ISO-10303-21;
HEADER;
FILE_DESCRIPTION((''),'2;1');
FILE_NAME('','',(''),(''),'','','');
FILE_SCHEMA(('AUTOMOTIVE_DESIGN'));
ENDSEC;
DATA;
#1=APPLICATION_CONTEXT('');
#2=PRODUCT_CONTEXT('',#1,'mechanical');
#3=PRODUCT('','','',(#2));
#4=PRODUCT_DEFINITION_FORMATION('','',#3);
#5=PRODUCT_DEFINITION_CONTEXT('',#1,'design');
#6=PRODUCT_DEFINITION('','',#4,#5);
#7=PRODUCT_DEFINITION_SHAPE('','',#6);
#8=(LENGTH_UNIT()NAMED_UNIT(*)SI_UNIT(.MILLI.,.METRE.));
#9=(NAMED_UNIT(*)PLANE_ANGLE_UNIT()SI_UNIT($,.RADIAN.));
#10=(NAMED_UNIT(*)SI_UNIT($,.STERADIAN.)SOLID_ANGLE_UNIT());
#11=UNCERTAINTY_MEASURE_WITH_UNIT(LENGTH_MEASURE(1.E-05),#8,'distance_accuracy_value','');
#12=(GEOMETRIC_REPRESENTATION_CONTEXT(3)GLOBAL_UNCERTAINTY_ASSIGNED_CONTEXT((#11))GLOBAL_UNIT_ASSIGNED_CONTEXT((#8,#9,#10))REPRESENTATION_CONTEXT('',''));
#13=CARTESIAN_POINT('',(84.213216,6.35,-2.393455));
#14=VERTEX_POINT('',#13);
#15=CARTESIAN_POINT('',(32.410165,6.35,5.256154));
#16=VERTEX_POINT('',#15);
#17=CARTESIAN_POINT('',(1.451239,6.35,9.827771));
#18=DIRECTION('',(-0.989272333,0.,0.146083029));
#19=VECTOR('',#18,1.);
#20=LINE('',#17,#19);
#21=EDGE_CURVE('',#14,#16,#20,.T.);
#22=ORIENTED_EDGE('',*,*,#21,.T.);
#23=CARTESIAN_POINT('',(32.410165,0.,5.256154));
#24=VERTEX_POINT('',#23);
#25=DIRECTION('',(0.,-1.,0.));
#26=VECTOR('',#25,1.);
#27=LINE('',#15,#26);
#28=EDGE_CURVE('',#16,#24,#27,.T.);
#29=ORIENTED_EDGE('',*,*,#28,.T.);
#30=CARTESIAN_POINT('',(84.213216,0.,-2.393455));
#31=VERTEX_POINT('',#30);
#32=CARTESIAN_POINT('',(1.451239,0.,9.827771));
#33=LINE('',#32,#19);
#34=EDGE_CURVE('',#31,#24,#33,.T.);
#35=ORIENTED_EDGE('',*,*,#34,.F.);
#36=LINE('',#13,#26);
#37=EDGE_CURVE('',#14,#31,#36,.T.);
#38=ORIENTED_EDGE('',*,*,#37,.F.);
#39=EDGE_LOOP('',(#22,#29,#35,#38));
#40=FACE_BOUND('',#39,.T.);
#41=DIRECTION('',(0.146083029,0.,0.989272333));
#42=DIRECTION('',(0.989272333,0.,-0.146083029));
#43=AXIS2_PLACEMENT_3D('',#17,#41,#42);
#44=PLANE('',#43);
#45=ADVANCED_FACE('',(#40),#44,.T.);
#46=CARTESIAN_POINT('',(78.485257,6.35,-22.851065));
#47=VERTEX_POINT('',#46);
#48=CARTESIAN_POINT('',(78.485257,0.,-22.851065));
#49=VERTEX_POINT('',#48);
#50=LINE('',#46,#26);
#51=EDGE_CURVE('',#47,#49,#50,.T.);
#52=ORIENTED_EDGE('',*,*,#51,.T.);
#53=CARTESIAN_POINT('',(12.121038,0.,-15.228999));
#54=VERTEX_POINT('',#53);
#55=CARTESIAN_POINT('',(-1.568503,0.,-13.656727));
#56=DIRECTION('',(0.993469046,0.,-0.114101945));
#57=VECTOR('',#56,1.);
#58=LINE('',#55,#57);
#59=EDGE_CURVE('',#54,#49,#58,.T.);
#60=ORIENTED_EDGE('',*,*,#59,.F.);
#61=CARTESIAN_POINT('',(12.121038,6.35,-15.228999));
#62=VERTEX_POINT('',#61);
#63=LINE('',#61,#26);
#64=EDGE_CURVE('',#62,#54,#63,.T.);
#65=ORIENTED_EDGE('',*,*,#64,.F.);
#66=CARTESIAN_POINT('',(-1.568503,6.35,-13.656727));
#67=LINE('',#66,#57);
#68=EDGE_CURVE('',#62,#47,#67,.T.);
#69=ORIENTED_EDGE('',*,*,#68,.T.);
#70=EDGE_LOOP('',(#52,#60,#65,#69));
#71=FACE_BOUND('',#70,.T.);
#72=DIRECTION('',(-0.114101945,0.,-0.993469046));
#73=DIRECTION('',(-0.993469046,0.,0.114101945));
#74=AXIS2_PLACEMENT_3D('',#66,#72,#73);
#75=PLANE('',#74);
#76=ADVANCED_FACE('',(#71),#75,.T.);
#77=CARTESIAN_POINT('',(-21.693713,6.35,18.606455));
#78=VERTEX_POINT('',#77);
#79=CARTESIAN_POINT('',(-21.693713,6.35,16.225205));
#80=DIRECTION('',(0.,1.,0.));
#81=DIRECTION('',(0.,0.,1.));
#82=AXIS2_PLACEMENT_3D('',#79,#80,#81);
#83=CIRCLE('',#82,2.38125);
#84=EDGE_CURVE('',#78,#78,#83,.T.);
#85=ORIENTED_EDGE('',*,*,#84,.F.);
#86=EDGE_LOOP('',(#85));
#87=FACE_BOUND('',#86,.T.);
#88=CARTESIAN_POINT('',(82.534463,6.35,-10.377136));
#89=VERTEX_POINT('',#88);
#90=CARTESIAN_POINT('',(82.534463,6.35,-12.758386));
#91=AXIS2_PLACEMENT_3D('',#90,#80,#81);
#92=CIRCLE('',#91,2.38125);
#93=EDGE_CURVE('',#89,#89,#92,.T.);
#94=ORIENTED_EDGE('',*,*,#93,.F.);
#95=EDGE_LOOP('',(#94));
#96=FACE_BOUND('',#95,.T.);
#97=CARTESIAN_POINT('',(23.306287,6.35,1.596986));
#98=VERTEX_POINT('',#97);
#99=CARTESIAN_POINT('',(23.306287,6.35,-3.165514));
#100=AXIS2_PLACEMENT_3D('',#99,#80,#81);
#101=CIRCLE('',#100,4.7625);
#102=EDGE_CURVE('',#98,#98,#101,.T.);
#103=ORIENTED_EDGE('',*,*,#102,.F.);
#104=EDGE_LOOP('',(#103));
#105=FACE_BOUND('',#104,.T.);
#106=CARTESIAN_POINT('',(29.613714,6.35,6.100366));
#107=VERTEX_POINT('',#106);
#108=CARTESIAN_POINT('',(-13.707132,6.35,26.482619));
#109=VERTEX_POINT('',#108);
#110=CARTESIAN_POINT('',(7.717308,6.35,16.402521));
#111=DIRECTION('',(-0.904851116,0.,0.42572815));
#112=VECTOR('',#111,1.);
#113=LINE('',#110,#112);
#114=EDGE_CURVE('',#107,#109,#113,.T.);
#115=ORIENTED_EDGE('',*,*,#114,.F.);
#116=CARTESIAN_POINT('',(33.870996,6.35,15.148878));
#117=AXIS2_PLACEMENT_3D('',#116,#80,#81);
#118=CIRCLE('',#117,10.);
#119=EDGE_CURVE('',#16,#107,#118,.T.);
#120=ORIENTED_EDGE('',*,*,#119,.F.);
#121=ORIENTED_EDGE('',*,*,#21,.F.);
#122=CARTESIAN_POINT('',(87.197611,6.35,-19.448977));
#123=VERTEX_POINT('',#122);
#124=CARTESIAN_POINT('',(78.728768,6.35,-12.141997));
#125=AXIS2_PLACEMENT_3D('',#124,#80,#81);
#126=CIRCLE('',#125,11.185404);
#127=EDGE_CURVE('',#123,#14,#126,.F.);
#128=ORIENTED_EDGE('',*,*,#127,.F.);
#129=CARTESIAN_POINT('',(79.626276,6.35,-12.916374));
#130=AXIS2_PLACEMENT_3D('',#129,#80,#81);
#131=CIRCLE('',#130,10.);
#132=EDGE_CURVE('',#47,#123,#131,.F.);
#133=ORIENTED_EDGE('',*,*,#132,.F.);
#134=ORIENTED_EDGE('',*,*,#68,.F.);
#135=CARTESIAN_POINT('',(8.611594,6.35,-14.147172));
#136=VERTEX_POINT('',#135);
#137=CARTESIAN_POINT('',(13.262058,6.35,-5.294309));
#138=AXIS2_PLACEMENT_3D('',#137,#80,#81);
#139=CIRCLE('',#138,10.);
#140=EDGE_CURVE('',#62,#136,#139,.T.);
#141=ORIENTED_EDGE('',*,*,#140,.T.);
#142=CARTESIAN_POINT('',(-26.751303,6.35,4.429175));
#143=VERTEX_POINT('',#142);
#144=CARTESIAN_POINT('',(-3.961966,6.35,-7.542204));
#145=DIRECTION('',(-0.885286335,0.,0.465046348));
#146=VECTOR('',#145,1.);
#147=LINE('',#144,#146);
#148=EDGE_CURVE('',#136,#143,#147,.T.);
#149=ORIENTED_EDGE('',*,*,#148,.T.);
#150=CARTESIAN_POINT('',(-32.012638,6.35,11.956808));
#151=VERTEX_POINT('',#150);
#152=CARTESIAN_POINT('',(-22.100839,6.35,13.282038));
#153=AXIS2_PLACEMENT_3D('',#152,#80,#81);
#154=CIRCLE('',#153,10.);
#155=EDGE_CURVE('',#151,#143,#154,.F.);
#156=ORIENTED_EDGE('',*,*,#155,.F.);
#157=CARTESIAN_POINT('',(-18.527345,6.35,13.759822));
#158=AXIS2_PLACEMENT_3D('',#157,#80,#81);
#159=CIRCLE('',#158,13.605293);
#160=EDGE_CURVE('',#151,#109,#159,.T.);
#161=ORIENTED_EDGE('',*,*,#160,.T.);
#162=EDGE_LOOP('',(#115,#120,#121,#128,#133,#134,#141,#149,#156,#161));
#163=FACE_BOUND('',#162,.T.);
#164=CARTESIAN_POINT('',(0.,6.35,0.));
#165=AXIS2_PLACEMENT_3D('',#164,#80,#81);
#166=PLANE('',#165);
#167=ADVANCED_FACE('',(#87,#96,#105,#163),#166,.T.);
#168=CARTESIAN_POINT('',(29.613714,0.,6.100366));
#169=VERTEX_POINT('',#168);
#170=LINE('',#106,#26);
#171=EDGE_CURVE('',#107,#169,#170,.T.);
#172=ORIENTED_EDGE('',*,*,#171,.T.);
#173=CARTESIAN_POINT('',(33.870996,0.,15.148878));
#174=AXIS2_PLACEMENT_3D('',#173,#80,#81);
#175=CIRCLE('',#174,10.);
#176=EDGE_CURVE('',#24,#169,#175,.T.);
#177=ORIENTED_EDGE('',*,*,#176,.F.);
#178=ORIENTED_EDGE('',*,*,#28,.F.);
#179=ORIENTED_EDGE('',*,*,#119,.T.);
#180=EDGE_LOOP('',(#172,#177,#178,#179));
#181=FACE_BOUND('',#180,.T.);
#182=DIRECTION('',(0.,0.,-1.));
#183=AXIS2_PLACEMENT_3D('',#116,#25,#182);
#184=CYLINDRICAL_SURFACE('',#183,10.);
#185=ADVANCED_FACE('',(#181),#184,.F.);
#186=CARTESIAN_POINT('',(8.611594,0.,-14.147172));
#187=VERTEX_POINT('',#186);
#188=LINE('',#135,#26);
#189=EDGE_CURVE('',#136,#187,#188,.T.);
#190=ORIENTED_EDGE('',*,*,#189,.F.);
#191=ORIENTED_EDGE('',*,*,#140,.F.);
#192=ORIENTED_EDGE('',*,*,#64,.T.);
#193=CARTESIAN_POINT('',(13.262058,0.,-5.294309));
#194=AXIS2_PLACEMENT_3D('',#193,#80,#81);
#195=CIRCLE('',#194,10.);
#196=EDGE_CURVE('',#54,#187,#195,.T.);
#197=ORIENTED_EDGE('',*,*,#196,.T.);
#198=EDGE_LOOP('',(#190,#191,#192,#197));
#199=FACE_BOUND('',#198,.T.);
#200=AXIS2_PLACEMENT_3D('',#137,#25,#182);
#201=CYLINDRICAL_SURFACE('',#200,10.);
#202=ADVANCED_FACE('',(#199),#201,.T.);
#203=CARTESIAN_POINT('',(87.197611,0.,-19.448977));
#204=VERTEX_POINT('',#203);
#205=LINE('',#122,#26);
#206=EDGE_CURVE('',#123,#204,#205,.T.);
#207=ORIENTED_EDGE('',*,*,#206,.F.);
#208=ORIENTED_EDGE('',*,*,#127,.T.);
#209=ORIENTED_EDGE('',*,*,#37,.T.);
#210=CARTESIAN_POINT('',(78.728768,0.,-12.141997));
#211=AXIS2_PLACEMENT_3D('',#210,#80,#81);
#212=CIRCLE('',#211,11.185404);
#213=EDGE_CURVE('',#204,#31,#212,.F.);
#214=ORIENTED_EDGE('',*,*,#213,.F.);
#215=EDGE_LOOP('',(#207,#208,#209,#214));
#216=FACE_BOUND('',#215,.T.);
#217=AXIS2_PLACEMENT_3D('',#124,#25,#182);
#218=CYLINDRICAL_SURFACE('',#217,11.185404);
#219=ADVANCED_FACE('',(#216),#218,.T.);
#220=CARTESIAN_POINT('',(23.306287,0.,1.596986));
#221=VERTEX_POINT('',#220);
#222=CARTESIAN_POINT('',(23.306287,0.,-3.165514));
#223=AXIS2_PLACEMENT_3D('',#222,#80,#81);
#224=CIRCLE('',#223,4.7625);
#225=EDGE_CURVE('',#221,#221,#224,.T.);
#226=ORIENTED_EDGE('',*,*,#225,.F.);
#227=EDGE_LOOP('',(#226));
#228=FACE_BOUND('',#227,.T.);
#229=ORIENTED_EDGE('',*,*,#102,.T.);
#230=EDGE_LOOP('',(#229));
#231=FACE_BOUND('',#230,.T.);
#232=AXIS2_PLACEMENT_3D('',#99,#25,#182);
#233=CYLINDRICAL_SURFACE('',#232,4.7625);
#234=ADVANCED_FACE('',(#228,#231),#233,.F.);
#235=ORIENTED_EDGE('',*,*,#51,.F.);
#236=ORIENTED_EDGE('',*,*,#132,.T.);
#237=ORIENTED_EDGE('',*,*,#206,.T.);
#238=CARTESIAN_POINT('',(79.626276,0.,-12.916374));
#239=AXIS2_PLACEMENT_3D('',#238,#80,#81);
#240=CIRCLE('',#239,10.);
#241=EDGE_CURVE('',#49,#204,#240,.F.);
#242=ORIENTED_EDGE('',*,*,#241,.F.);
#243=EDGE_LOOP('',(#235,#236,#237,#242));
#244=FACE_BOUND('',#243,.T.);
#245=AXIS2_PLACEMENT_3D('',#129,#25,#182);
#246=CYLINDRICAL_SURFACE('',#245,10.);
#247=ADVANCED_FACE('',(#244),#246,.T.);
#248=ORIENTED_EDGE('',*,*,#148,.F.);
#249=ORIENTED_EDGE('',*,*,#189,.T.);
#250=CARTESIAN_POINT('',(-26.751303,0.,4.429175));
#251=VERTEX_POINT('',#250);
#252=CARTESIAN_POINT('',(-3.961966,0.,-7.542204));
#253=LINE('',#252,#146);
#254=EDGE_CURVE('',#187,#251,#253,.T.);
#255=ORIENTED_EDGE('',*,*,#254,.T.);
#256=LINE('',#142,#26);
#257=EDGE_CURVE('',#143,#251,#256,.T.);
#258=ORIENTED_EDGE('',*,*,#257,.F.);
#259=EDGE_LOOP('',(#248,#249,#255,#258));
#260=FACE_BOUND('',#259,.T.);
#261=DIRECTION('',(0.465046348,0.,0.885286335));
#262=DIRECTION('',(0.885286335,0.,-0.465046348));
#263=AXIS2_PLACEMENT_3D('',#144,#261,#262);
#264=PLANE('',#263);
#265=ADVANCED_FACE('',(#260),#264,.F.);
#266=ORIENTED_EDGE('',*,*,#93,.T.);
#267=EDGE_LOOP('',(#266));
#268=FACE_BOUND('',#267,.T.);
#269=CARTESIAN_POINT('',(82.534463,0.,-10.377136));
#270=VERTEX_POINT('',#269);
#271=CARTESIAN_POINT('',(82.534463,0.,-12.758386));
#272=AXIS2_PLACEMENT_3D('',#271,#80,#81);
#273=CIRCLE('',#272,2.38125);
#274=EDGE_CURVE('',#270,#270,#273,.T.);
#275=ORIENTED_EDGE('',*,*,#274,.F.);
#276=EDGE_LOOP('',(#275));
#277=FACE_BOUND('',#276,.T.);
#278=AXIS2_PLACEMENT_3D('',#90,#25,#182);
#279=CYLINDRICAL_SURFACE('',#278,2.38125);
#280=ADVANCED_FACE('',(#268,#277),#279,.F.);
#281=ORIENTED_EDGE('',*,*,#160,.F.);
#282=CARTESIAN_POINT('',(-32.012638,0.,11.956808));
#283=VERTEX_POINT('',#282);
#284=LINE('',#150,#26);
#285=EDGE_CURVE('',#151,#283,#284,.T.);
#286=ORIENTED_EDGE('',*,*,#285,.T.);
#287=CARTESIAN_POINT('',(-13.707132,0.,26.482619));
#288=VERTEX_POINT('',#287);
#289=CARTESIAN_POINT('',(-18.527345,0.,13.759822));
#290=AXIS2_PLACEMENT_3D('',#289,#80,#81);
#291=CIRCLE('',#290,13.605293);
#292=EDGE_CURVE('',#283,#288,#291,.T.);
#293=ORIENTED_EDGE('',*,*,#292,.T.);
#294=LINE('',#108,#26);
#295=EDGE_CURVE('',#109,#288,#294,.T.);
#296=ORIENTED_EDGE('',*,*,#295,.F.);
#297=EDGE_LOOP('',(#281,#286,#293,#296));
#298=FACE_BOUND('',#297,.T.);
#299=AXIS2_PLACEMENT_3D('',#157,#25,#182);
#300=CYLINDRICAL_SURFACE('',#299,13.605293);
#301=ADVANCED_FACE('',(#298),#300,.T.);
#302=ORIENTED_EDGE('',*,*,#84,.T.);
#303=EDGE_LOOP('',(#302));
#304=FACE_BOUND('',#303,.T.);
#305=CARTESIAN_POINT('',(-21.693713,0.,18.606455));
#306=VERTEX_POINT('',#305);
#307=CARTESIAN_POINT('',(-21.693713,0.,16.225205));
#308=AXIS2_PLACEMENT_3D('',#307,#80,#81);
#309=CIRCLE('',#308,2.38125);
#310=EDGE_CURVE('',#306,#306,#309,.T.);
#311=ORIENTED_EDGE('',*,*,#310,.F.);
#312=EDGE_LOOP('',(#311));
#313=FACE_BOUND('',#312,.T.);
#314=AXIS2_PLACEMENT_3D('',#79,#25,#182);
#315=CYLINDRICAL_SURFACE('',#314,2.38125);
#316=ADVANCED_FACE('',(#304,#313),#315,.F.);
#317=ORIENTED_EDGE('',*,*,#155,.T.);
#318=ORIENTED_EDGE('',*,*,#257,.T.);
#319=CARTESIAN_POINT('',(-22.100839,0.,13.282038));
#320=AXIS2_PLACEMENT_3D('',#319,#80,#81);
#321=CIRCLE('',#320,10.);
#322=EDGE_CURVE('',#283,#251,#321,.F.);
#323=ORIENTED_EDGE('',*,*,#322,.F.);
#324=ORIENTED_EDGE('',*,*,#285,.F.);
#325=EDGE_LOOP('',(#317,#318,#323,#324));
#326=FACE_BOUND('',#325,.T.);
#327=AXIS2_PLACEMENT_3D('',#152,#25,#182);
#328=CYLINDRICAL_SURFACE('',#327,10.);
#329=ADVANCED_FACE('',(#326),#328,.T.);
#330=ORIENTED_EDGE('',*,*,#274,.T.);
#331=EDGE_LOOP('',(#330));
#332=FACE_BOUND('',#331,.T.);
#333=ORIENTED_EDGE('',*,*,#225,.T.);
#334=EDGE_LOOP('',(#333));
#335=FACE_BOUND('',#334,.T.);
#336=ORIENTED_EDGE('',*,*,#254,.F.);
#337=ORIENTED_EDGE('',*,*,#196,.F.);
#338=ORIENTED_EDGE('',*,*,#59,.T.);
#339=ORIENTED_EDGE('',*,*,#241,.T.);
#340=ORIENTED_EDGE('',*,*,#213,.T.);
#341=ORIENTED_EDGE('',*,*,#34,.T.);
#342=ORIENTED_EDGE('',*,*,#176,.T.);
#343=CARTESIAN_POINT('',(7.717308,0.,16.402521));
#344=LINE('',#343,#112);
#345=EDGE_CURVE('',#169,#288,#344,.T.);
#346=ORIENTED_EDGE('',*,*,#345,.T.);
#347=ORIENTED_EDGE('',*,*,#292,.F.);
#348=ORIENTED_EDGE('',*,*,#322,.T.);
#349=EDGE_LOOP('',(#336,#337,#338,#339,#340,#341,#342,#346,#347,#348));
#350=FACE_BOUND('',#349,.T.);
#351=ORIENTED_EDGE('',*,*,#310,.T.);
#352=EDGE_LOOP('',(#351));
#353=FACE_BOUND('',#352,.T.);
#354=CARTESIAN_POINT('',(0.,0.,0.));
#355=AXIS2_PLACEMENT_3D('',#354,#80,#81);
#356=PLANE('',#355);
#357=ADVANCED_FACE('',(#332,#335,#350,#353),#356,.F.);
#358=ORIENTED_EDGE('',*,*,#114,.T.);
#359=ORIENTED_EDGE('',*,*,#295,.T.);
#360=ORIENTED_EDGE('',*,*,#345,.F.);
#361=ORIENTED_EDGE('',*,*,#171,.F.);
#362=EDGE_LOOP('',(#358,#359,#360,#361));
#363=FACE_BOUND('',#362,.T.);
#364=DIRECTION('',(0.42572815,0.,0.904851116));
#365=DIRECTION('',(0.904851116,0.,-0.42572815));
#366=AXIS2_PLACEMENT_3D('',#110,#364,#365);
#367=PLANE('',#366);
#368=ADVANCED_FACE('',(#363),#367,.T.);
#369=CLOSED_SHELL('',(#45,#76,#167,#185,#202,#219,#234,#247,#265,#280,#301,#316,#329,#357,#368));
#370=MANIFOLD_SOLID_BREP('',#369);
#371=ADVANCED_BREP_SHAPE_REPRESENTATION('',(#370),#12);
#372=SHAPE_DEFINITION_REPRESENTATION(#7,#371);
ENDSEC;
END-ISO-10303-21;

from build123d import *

# Parameters (mm, degrees)
CROQUIS1_R              = 2.38125
CROQUIS1_R_2            = 4.7625
SALIENTE_EXTRUIR1_DEPTH = 6.35


with BuildPart() as part:
    # Croquis1 → Saliente-Extruir1 (new body)
    with BuildSketch(Plane(origin=(0, 0, 0), x_dir=(1, 0, 0), z_dir=(0, 1, 0))):
        with BuildLine():
            Line((84.213215594, 2.393454749), (32.410165231, -5.256154194))
            ThreePointArc((32.410165231, -5.256154194), (30.980948086, -5.575600872), (29.613714015, -6.100366364))
            Line((29.613714015, -6.100366364), (-13.707132326, -26.482618703))
            ThreePointArc((-13.707132326, -26.482618703), (-26.984336102, -24.417368961), (-32.012638404, -11.956808276))
            ThreePointArc((-32.012638404, -11.956808276), (-30.297252372, -7.553267867), (-26.751302562, -4.429174828))
            Line((-26.751302562, -4.429174828), (8.61159414, 14.14717195))
            ThreePointArc((8.61159414, 14.14717195), (10.316229022, 14.850568011), (12.121038164, 15.228999065))
            Line((12.121038164, 15.228999065), (78.485256883, 22.851064868))
            ThreePointArc((78.485256883, 22.851064868), (83.263691234, 22.231373752), (87.197610529, 19.448977141))
            ThreePointArc((87.197610529, 19.448977141), (89.746766231, 10.214055317), (84.213215594, 2.393454749))
        make_face()
        with Locations(Location((82.534463123, 12.758385533, 0), (0, 0, 270))):
            Circle(CROQUIS1_R, mode=Mode.SUBTRACT)
        with Locations(Location((23.306287218, 3.165514271, 0), (0, 0, 270))):
            Circle(CROQUIS1_R_2, mode=Mode.SUBTRACT)
        with Locations(Location((-21.693712782, -16.225205159, 0), (0, 0, 270))):
            Circle(CROQUIS1_R, mode=Mode.SUBTRACT)
    extrude(amount=SALIENTE_EXTRUIR1_DEPTH)


solid = part.part
